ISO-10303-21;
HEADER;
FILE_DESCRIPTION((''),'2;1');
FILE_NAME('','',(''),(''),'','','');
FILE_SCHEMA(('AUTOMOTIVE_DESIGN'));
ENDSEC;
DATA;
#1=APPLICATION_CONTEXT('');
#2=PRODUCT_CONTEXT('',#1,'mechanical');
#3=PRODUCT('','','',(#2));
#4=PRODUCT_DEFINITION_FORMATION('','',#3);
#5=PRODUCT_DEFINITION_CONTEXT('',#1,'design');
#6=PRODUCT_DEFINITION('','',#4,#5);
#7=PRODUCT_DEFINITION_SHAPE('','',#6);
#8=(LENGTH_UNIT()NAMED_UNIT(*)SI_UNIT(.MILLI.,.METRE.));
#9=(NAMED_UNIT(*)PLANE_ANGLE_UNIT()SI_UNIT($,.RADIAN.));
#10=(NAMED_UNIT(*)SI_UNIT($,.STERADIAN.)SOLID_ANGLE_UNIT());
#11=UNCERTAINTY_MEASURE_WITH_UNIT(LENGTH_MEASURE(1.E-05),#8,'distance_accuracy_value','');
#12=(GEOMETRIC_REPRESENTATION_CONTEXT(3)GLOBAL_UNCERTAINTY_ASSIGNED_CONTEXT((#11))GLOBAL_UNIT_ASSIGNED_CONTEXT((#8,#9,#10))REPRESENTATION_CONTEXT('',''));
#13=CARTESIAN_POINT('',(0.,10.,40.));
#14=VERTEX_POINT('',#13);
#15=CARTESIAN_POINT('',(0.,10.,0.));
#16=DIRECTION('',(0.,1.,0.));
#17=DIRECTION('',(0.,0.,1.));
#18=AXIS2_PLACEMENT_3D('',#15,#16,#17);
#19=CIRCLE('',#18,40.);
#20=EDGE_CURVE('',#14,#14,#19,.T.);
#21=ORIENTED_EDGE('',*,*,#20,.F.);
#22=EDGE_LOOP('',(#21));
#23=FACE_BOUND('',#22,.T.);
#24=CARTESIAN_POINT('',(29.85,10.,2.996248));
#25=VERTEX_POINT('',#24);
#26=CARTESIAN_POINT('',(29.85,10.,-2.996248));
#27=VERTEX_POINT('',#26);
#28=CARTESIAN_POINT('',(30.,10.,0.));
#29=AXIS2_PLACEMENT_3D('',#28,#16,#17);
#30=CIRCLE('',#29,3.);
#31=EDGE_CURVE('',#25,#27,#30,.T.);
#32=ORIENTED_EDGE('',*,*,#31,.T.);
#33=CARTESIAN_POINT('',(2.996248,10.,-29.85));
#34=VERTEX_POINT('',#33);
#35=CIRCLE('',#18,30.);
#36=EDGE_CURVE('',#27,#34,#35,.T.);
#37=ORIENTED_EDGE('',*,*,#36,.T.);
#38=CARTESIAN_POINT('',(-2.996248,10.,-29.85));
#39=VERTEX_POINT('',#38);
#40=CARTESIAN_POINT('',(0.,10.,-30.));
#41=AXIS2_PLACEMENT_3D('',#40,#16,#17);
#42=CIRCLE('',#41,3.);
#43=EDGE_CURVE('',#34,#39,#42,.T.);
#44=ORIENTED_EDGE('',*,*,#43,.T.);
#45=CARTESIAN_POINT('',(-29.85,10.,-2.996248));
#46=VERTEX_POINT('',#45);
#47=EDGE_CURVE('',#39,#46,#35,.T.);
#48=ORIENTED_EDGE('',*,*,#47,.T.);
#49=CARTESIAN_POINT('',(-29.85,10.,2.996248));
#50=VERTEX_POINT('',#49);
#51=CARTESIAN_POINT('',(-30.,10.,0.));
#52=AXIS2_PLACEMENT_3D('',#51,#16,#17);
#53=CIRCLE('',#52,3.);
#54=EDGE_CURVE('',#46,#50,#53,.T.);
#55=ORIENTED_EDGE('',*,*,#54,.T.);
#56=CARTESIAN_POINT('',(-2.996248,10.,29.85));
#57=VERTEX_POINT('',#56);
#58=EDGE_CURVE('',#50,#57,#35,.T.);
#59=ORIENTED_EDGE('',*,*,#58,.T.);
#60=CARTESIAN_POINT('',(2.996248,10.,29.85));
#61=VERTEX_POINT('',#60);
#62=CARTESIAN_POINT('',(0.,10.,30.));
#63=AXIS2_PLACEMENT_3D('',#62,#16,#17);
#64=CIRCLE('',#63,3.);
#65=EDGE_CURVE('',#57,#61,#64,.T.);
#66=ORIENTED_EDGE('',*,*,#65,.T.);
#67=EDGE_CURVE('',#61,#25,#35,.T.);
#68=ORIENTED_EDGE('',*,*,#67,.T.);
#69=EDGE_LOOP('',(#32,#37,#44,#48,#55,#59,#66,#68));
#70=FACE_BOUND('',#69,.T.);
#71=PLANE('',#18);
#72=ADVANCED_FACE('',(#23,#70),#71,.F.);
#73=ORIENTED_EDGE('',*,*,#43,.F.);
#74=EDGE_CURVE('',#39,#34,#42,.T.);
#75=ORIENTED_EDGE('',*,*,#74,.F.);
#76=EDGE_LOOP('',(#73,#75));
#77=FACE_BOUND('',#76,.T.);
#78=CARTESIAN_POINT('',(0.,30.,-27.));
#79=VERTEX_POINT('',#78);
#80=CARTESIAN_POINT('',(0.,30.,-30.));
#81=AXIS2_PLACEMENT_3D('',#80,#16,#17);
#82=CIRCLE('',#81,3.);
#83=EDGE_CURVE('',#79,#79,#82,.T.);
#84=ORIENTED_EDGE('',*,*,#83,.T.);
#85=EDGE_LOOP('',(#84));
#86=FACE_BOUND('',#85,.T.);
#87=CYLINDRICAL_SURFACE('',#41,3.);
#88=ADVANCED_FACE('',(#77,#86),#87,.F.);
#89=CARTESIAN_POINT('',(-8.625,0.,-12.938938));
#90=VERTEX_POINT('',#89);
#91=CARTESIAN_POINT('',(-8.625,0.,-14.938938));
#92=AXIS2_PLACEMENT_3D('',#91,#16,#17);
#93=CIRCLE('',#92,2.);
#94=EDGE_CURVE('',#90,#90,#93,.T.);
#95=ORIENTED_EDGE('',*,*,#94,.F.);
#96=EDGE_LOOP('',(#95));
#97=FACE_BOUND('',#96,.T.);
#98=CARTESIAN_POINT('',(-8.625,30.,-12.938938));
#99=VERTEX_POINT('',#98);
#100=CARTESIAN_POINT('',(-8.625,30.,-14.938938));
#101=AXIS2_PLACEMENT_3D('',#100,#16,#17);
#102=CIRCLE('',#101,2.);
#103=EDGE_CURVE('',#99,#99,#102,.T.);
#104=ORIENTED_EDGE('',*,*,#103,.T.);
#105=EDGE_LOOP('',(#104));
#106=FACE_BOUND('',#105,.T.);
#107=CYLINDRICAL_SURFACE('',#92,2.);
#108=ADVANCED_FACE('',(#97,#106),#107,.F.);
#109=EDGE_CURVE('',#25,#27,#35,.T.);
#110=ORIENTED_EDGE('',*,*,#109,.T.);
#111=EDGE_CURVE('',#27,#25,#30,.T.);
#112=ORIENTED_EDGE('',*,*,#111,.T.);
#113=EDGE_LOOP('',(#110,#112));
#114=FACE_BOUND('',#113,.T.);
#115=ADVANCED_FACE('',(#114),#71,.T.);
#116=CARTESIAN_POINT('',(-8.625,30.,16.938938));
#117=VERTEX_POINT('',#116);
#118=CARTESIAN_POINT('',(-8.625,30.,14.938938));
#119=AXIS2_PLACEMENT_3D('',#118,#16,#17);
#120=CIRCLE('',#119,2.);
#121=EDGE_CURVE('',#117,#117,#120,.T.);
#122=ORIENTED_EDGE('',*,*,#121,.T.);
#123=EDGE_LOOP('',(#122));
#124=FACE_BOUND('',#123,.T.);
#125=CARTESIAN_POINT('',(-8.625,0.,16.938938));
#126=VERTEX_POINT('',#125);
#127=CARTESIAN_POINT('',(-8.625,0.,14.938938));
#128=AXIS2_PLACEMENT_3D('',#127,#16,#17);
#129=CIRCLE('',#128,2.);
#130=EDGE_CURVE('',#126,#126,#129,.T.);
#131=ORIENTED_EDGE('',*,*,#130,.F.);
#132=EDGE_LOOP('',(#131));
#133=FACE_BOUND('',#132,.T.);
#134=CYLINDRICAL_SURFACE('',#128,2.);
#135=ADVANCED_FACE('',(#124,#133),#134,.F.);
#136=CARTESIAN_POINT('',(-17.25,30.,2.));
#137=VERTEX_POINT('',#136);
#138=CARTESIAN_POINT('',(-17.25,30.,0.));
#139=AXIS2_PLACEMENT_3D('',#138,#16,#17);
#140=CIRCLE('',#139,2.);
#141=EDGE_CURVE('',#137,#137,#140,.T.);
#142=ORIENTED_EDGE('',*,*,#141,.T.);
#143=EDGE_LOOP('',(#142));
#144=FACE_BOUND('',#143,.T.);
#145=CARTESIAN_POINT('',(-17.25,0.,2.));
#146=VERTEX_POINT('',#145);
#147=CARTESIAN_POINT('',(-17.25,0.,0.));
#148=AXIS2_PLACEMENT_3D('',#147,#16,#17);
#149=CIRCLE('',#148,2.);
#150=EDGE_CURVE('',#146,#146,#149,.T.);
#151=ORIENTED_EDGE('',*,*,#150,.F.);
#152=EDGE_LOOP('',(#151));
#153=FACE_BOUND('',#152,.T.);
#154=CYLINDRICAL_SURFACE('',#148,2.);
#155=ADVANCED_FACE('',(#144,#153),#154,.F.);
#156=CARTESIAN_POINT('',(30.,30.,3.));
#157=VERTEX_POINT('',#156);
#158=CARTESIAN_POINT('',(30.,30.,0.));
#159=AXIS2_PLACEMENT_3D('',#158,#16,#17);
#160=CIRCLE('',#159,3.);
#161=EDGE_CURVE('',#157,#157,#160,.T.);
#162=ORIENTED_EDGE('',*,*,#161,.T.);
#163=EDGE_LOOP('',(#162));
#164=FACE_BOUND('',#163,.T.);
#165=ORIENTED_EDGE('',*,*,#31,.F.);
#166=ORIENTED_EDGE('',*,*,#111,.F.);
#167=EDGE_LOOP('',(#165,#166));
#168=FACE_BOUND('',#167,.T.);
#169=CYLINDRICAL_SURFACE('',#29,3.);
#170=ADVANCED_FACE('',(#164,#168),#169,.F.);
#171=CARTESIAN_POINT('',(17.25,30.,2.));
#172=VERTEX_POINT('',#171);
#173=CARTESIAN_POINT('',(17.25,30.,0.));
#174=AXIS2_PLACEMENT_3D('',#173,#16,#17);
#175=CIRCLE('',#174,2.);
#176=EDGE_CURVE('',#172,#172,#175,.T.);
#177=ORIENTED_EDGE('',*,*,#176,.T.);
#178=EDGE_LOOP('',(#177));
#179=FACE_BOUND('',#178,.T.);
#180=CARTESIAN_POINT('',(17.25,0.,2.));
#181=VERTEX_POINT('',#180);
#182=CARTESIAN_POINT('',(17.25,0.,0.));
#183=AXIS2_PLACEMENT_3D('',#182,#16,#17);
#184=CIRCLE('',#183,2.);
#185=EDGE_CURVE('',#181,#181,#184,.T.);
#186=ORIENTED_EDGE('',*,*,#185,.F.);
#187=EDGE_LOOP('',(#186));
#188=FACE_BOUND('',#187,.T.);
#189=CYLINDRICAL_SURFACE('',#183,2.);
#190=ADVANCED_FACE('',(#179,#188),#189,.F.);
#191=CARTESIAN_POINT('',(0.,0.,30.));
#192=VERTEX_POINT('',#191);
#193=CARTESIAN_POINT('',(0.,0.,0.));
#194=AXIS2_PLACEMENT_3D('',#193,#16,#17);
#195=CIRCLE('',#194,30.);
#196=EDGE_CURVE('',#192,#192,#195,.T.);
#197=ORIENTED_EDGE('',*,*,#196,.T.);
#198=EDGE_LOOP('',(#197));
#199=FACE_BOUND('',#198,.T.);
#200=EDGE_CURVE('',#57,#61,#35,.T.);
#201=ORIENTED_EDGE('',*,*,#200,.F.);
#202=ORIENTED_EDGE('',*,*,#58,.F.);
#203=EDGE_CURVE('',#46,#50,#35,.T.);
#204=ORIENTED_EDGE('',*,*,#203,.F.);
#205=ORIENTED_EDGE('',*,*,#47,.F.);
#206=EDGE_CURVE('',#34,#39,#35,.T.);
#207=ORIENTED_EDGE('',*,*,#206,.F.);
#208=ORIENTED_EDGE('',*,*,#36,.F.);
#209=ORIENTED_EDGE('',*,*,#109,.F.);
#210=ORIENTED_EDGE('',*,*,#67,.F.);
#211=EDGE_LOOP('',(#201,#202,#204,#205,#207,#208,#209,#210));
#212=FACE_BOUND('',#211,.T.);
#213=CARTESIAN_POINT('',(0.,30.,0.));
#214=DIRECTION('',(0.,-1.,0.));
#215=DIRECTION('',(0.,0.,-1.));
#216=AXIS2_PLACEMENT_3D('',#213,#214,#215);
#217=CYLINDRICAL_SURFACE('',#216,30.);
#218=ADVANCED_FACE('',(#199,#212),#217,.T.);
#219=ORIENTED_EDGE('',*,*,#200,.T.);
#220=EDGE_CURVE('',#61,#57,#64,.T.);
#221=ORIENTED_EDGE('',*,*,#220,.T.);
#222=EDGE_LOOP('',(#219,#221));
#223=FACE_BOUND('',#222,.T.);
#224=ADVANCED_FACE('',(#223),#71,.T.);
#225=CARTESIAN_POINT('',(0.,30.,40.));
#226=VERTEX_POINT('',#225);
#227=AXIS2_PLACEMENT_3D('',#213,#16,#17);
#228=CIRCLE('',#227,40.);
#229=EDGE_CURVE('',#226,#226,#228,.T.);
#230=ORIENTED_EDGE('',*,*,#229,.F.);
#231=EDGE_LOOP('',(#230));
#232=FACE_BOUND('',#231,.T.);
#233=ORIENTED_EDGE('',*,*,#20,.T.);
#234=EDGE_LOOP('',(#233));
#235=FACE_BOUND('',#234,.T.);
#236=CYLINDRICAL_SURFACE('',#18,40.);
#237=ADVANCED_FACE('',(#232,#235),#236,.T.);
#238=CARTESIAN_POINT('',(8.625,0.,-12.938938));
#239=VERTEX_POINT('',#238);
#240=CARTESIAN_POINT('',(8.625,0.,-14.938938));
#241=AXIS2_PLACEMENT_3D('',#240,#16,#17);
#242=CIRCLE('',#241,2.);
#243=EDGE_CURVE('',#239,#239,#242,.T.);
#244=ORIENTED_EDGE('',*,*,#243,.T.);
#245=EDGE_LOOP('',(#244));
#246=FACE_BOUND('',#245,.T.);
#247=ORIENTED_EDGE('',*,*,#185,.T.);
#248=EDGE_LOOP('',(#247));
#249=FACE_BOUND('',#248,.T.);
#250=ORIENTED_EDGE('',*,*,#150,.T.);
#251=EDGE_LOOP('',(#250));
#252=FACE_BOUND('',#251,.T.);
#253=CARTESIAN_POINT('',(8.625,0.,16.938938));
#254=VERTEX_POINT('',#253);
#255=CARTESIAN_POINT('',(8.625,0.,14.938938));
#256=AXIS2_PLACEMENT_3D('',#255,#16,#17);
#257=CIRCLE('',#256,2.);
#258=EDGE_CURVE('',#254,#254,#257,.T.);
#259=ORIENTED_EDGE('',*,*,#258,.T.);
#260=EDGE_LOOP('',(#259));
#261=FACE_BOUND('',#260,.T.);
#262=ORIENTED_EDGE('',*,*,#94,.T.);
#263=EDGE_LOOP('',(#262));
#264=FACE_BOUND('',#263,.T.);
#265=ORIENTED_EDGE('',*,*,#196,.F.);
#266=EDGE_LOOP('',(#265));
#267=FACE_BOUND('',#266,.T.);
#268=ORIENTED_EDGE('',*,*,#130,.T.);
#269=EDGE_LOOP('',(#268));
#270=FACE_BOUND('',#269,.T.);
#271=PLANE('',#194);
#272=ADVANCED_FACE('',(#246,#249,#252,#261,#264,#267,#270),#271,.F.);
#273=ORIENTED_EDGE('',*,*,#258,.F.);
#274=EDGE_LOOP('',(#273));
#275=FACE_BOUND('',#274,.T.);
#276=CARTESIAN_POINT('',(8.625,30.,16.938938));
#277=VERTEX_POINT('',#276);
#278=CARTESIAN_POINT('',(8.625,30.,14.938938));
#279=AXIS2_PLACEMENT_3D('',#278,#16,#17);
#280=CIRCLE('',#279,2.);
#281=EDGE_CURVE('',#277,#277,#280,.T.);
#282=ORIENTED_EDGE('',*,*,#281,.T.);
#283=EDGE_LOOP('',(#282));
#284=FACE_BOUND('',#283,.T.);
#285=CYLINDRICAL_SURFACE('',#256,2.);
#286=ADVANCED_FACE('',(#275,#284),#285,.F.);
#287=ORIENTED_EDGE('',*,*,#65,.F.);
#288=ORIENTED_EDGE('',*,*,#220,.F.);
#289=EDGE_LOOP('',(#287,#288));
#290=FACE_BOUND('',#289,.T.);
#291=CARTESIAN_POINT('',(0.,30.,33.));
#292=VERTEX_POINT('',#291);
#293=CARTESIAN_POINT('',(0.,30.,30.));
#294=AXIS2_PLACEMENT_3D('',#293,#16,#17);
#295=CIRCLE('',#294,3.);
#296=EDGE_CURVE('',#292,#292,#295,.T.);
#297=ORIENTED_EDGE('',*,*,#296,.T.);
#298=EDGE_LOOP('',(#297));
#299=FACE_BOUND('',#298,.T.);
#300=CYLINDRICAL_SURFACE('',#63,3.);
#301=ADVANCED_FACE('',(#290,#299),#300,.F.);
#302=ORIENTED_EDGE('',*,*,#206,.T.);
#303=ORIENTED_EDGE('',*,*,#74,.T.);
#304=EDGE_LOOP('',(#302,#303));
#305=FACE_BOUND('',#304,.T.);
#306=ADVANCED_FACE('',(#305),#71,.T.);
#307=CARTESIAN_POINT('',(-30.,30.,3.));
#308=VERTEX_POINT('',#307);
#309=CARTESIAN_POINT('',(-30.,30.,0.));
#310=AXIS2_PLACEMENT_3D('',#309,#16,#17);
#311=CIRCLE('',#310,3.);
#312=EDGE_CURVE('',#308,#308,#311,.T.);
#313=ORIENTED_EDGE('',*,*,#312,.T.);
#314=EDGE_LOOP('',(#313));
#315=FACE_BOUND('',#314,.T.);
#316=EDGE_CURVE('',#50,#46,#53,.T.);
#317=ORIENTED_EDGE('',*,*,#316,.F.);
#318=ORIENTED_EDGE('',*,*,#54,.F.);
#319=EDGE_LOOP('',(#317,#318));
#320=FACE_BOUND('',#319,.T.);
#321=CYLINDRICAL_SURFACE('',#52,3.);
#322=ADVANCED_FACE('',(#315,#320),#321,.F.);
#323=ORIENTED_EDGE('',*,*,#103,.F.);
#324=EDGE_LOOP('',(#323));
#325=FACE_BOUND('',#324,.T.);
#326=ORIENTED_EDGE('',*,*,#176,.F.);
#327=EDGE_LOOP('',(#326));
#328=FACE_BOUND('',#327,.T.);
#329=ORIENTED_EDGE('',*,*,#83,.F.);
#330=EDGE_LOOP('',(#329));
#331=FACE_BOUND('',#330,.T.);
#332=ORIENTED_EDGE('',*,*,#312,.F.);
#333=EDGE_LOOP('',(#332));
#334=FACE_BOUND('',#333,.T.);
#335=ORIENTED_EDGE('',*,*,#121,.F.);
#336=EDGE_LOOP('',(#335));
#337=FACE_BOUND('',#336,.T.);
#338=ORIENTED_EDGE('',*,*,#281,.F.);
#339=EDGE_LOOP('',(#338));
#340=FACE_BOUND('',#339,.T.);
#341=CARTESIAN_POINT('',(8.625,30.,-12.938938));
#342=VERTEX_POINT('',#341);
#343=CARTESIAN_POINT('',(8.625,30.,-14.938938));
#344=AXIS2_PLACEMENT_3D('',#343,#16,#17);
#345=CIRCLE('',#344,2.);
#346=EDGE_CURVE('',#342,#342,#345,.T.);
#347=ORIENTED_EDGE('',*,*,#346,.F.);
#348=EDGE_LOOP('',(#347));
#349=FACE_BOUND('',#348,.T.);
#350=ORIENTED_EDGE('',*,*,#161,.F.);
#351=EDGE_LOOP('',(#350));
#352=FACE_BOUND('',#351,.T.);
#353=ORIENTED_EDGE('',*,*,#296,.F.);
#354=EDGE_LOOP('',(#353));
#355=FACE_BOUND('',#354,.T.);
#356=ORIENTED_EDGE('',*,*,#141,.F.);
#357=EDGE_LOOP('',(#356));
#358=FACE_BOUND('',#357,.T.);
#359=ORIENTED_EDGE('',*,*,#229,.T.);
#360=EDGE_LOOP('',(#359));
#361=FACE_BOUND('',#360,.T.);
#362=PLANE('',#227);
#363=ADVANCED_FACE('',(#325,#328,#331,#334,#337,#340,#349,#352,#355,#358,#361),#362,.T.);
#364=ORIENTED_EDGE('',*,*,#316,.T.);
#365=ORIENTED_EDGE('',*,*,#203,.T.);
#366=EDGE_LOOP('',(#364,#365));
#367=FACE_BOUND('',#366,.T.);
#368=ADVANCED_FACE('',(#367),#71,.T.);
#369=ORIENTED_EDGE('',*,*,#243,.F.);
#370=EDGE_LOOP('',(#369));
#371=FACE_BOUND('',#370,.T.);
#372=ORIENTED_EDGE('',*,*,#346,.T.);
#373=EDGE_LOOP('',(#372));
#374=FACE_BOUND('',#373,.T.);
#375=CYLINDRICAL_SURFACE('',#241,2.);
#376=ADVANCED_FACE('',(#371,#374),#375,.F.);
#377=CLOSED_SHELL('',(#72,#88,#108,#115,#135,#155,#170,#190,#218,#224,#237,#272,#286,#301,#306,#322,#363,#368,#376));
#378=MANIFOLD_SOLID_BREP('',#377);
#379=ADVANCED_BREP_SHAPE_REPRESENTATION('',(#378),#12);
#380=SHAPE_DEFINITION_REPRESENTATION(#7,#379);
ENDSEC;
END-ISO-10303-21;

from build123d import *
from build123d.topology import SkipClean

# Parameters (mm, degrees)
SKETCH_1_R          = 30
SKETCH_1_R_2        = 3
EXTRUDE_1_DEPTH     = 30
EXTRUDE_START       = -20
SKETCH_2_R          = 40
EXTRUDE_2_DEPTH     = 20
CUT_EXTRUDE_START   = -20
CUT_EXTRUDE_1_DEPTH = 20
EXTRUDE_START_2     = -30
SKETCH_4_R          = 3
SKETCH_4_R_2        = 2
EXTRUDE_4_DEPTH     = 30


with BuildPart() as part:
    # 草图1 → 凸台-拉伸1 (new body)
    with BuildSketch(Plane(origin=(0, 0, 0), x_dir=(1, 0, 0), z_dir=(0, 1, 0))):
        with Locations(Location((0, 0, 0), (0, 0, 270))):
            Circle(SKETCH_1_R)
        with Locations(Location((-17.25, 0, 0), (0, 0, 270))):
            Circle(SKETCH_1_R_2, mode=Mode.SUBTRACT)
        with Locations(Location((-8.625, 14.938938215, 0), (0, 0, 270))):
            Circle(SKETCH_1_R_2, mode=Mode.SUBTRACT)
        with Locations(Location((8.625, 14.938938215, 0), (0, 0, 270))):
            Circle(SKETCH_1_R_2, mode=Mode.SUBTRACT)
        with Locations(Location((17.25, 0, 0), (0, 0, 270))):
            Circle(SKETCH_1_R_2, mode=Mode.SUBTRACT)
        with Locations(Location((8.625, -14.938938215, 0), (0, 0, 270))):
            Circle(SKETCH_1_R_2, mode=Mode.SUBTRACT)
        with Locations(Location((-8.625, -14.938938215, 0), (0, 0, 270))):
            Circle(SKETCH_1_R_2, mode=Mode.SUBTRACT)
    extrude(amount=EXTRUDE_1_DEPTH)

    # 草图2 → 凸台-拉伸2 (add)
    with BuildSketch(Plane(origin=(0, 30, 0), x_dir=(1, 0, 0), z_dir=(0, 1, 0)).offset(EXTRUDE_START)):
        with Locations(Location((0, 0, 0), (0, 0, 270))):
            Circle(SKETCH_2_R)
        with BuildLine():
            ThreePointArc((2.996247653, 29.85), (21.213203436, 21.213203436), (29.85, 2.996247653))
            ThreePointArc((29.85, 2.996247653), (32.067607313, 2.173706512), (33, 0))
            ThreePointArc((33, 0), (32.067607313, -2.173706512), (29.85, -2.996247653))
            ThreePointArc((29.85, -2.996247653), (21.213203436, -21.213203436), (2.996247653, -29.85))
            ThreePointArc((2.996247653, -29.85), (2.999061767, -29.924976537), (3, -30))
            ThreePointArc((3, -30), (-0.075023463, -32.999061767), (-2.996247653, -29.85))
            ThreePointArc((-2.996247653, -29.85), (-21.213203436, -21.213203436), (-29.85, -2.996247653))
            ThreePointArc((-29.85, -2.996247653), (-33, 0), (-29.85, 2.996247653))
            ThreePointArc((-29.85, 2.996247653), (-21.213203436, 21.213203436), (-2.996247653, 29.85))
            ThreePointArc((-2.996247653, 29.85), (-0.075023463, 32.999061767), (3, 30))
            ThreePointArc((3, 30), (2.999061767, 29.924976537), (2.996247653, 29.85))
        make_face(mode=Mode.SUBTRACT)
    extrude(amount=EXTRUDE_2_DEPTH)

    # 草图3 → 切除-拉伸1 (cut)
    with SkipClean():  # the faces are left unmerged after this step: merging them gives an invalid solid
        with BuildSketch(Plane(origin=(0, 30, 0), x_dir=(1, 0, 0), z_dir=(0, 1, 0)).offset(CUT_EXTRUDE_START)):
            with BuildLine():
                ThreePointArc((29.85, -2.996247653), (29.962476533, -1.5), (30, 0))
                ThreePointArc((30, 0), (29.962476533, 1.5), (29.85, 2.996247653))
                ThreePointArc((29.85, 2.996247653), (27, 0), (29.85, -2.996247653))
            make_face()
            with BuildLine():
                ThreePointArc((29.85, 2.996247653), (29.962476533, 1.5), (30, 0))
                ThreePointArc((30, 0), (29.962476533, -1.5), (29.85, -2.996247653))
                ThreePointArc((29.85, -2.996247653), (32.067607313, -2.173706512), (33, 0))
                ThreePointArc((33, 0), (32.067607313, 2.173706512), (29.85, 2.996247653))
            make_face()
            with BuildLine():
                ThreePointArc((-2.996247653, 29.85), (0, 27), (2.996247653, 29.85))
                ThreePointArc((2.996247653, 29.85), (0, 30), (-2.996247653, 29.85))
            make_face()
            with BuildLine():
                ThreePointArc((-2.996247653, 29.85), (0, 30), (2.996247653, 29.85))
                ThreePointArc((2.996247653, 29.85), (2.999061767, 29.924976537), (3, 30))
                ThreePointArc((3, 30), (-0.075023463, 32.999061767), (-2.996247653, 29.85))
            make_face()
            with BuildLine():
                ThreePointArc((3, -30), (2.999061767, -29.924976537), (2.996247653, -29.85))
                ThreePointArc((2.996247653, -29.85), (0, -30), (-2.996247653, -29.85))
                ThreePointArc((-2.996247653, -29.85), (-0.075023463, -32.999061767), (3, -30))
            make_face()
            with BuildLine():
                ThreePointArc((-2.996247653, -29.85), (0, -30), (2.996247653, -29.85))
                ThreePointArc((2.996247653, -29.85), (0, -27), (-2.996247653, -29.85))
            make_face()
            with BuildLine():
                ThreePointArc((-27, 0), (-27.826293488, 2.067607313), (-29.85, 2.996247653))
                ThreePointArc((-29.85, 2.996247653), (-30, 0), (-29.85, -2.996247653))
                ThreePointArc((-29.85, -2.996247653), (-27.826293488, -2.067607313), (-27, 0))
            make_face()
            with BuildLine():
                ThreePointArc((-29.85, -2.996247653), (-30, 0), (-29.85, 2.996247653))
                ThreePointArc((-29.85, 2.996247653), (-33, 0), (-29.85, -2.996247653))
            make_face()
        extrude(amount=CUT_EXTRUDE_1_DEPTH, mode=Mode.SUBTRACT)

    # 草图4 → 凸台-拉伸4 (add)
    # profile 1 of 6: a face of its own
    with SkipClean():  # the faces are left unmerged after this step: merging them gives an invalid solid
        with BuildSketch(Plane(origin=(0, 30, 0), x_dir=(1, 0, 0), z_dir=(0, 1, 0)).offset(EXTRUDE_START_2)):
            with Locations((17.25, 0)):
                Circle(SKETCH_4_R)
            with Locations(Location((17.25, 0, 0), (0, 0, 270))):
                Circle(SKETCH_4_R_2, mode=Mode.SUBTRACT)
        # profile 2 of 6: a face of its own
        with BuildSketch(Plane(origin=(0, 30, 0), x_dir=(1, 0, 0), z_dir=(0, 1, 0)).offset(EXTRUDE_START_2)):
            with Locations((8.625, 14.938938215)):
                Circle(SKETCH_4_R)
            with Locations(Location((8.625, 14.938938215, 0), (0, 0, 270))):
                Circle(SKETCH_4_R_2, mode=Mode.SUBTRACT)
        # profile 3 of 6: a face of its own
        with BuildSketch(Plane(origin=(0, 30, 0), x_dir=(1, 0, 0), z_dir=(0, 1, 0)).offset(EXTRUDE_START_2)):
            with Locations((8.625, -14.938938215)):
                Circle(SKETCH_4_R)
            with Locations(Location((8.625, -14.938938215, 0), (0, 0, 270))):
                Circle(SKETCH_4_R_2, mode=Mode.SUBTRACT)
        # profile 4 of 6: a face of its own
        with BuildSketch(Plane(origin=(0, 30, 0), x_dir=(1, 0, 0), z_dir=(0, 1, 0)).offset(EXTRUDE_START_2)):
            with Locations((-8.625, 14.938938215)):
                Circle(SKETCH_4_R)
            with Locations(Location((-8.625, 14.938938215, 0), (0, 0, 270))):
                Circle(SKETCH_4_R_2, mode=Mode.SUBTRACT)
        # profile 5 of 6: a face of its own
        with BuildSketch(Plane(origin=(0, 30, 0), x_dir=(1, 0, 0), z_dir=(0, 1, 0)).offset(EXTRUDE_START_2)):
            with Locations((-8.625, -14.938938215)):
                Circle(SKETCH_4_R)
            with Locations(Location((-8.625, -14.938938215, 0), (0, 0, 270))):
                Circle(SKETCH_4_R_2, mode=Mode.SUBTRACT)
        # profile 6 of 6: a face of its own
        with BuildSketch(Plane(origin=(0, 30, 0), x_dir=(1, 0, 0), z_dir=(0, 1, 0)).offset(EXTRUDE_START_2)):
            with Locations((-17.25, 0)):
                Circle(SKETCH_4_R)
            with Locations(Location((-17.25, 0, 0), (0, 0, 270))):
                Circle(SKETCH_4_R_2, mode=Mode.SUBTRACT)
        extrude(amount=EXTRUDE_4_DEPTH)


solid = part.part
